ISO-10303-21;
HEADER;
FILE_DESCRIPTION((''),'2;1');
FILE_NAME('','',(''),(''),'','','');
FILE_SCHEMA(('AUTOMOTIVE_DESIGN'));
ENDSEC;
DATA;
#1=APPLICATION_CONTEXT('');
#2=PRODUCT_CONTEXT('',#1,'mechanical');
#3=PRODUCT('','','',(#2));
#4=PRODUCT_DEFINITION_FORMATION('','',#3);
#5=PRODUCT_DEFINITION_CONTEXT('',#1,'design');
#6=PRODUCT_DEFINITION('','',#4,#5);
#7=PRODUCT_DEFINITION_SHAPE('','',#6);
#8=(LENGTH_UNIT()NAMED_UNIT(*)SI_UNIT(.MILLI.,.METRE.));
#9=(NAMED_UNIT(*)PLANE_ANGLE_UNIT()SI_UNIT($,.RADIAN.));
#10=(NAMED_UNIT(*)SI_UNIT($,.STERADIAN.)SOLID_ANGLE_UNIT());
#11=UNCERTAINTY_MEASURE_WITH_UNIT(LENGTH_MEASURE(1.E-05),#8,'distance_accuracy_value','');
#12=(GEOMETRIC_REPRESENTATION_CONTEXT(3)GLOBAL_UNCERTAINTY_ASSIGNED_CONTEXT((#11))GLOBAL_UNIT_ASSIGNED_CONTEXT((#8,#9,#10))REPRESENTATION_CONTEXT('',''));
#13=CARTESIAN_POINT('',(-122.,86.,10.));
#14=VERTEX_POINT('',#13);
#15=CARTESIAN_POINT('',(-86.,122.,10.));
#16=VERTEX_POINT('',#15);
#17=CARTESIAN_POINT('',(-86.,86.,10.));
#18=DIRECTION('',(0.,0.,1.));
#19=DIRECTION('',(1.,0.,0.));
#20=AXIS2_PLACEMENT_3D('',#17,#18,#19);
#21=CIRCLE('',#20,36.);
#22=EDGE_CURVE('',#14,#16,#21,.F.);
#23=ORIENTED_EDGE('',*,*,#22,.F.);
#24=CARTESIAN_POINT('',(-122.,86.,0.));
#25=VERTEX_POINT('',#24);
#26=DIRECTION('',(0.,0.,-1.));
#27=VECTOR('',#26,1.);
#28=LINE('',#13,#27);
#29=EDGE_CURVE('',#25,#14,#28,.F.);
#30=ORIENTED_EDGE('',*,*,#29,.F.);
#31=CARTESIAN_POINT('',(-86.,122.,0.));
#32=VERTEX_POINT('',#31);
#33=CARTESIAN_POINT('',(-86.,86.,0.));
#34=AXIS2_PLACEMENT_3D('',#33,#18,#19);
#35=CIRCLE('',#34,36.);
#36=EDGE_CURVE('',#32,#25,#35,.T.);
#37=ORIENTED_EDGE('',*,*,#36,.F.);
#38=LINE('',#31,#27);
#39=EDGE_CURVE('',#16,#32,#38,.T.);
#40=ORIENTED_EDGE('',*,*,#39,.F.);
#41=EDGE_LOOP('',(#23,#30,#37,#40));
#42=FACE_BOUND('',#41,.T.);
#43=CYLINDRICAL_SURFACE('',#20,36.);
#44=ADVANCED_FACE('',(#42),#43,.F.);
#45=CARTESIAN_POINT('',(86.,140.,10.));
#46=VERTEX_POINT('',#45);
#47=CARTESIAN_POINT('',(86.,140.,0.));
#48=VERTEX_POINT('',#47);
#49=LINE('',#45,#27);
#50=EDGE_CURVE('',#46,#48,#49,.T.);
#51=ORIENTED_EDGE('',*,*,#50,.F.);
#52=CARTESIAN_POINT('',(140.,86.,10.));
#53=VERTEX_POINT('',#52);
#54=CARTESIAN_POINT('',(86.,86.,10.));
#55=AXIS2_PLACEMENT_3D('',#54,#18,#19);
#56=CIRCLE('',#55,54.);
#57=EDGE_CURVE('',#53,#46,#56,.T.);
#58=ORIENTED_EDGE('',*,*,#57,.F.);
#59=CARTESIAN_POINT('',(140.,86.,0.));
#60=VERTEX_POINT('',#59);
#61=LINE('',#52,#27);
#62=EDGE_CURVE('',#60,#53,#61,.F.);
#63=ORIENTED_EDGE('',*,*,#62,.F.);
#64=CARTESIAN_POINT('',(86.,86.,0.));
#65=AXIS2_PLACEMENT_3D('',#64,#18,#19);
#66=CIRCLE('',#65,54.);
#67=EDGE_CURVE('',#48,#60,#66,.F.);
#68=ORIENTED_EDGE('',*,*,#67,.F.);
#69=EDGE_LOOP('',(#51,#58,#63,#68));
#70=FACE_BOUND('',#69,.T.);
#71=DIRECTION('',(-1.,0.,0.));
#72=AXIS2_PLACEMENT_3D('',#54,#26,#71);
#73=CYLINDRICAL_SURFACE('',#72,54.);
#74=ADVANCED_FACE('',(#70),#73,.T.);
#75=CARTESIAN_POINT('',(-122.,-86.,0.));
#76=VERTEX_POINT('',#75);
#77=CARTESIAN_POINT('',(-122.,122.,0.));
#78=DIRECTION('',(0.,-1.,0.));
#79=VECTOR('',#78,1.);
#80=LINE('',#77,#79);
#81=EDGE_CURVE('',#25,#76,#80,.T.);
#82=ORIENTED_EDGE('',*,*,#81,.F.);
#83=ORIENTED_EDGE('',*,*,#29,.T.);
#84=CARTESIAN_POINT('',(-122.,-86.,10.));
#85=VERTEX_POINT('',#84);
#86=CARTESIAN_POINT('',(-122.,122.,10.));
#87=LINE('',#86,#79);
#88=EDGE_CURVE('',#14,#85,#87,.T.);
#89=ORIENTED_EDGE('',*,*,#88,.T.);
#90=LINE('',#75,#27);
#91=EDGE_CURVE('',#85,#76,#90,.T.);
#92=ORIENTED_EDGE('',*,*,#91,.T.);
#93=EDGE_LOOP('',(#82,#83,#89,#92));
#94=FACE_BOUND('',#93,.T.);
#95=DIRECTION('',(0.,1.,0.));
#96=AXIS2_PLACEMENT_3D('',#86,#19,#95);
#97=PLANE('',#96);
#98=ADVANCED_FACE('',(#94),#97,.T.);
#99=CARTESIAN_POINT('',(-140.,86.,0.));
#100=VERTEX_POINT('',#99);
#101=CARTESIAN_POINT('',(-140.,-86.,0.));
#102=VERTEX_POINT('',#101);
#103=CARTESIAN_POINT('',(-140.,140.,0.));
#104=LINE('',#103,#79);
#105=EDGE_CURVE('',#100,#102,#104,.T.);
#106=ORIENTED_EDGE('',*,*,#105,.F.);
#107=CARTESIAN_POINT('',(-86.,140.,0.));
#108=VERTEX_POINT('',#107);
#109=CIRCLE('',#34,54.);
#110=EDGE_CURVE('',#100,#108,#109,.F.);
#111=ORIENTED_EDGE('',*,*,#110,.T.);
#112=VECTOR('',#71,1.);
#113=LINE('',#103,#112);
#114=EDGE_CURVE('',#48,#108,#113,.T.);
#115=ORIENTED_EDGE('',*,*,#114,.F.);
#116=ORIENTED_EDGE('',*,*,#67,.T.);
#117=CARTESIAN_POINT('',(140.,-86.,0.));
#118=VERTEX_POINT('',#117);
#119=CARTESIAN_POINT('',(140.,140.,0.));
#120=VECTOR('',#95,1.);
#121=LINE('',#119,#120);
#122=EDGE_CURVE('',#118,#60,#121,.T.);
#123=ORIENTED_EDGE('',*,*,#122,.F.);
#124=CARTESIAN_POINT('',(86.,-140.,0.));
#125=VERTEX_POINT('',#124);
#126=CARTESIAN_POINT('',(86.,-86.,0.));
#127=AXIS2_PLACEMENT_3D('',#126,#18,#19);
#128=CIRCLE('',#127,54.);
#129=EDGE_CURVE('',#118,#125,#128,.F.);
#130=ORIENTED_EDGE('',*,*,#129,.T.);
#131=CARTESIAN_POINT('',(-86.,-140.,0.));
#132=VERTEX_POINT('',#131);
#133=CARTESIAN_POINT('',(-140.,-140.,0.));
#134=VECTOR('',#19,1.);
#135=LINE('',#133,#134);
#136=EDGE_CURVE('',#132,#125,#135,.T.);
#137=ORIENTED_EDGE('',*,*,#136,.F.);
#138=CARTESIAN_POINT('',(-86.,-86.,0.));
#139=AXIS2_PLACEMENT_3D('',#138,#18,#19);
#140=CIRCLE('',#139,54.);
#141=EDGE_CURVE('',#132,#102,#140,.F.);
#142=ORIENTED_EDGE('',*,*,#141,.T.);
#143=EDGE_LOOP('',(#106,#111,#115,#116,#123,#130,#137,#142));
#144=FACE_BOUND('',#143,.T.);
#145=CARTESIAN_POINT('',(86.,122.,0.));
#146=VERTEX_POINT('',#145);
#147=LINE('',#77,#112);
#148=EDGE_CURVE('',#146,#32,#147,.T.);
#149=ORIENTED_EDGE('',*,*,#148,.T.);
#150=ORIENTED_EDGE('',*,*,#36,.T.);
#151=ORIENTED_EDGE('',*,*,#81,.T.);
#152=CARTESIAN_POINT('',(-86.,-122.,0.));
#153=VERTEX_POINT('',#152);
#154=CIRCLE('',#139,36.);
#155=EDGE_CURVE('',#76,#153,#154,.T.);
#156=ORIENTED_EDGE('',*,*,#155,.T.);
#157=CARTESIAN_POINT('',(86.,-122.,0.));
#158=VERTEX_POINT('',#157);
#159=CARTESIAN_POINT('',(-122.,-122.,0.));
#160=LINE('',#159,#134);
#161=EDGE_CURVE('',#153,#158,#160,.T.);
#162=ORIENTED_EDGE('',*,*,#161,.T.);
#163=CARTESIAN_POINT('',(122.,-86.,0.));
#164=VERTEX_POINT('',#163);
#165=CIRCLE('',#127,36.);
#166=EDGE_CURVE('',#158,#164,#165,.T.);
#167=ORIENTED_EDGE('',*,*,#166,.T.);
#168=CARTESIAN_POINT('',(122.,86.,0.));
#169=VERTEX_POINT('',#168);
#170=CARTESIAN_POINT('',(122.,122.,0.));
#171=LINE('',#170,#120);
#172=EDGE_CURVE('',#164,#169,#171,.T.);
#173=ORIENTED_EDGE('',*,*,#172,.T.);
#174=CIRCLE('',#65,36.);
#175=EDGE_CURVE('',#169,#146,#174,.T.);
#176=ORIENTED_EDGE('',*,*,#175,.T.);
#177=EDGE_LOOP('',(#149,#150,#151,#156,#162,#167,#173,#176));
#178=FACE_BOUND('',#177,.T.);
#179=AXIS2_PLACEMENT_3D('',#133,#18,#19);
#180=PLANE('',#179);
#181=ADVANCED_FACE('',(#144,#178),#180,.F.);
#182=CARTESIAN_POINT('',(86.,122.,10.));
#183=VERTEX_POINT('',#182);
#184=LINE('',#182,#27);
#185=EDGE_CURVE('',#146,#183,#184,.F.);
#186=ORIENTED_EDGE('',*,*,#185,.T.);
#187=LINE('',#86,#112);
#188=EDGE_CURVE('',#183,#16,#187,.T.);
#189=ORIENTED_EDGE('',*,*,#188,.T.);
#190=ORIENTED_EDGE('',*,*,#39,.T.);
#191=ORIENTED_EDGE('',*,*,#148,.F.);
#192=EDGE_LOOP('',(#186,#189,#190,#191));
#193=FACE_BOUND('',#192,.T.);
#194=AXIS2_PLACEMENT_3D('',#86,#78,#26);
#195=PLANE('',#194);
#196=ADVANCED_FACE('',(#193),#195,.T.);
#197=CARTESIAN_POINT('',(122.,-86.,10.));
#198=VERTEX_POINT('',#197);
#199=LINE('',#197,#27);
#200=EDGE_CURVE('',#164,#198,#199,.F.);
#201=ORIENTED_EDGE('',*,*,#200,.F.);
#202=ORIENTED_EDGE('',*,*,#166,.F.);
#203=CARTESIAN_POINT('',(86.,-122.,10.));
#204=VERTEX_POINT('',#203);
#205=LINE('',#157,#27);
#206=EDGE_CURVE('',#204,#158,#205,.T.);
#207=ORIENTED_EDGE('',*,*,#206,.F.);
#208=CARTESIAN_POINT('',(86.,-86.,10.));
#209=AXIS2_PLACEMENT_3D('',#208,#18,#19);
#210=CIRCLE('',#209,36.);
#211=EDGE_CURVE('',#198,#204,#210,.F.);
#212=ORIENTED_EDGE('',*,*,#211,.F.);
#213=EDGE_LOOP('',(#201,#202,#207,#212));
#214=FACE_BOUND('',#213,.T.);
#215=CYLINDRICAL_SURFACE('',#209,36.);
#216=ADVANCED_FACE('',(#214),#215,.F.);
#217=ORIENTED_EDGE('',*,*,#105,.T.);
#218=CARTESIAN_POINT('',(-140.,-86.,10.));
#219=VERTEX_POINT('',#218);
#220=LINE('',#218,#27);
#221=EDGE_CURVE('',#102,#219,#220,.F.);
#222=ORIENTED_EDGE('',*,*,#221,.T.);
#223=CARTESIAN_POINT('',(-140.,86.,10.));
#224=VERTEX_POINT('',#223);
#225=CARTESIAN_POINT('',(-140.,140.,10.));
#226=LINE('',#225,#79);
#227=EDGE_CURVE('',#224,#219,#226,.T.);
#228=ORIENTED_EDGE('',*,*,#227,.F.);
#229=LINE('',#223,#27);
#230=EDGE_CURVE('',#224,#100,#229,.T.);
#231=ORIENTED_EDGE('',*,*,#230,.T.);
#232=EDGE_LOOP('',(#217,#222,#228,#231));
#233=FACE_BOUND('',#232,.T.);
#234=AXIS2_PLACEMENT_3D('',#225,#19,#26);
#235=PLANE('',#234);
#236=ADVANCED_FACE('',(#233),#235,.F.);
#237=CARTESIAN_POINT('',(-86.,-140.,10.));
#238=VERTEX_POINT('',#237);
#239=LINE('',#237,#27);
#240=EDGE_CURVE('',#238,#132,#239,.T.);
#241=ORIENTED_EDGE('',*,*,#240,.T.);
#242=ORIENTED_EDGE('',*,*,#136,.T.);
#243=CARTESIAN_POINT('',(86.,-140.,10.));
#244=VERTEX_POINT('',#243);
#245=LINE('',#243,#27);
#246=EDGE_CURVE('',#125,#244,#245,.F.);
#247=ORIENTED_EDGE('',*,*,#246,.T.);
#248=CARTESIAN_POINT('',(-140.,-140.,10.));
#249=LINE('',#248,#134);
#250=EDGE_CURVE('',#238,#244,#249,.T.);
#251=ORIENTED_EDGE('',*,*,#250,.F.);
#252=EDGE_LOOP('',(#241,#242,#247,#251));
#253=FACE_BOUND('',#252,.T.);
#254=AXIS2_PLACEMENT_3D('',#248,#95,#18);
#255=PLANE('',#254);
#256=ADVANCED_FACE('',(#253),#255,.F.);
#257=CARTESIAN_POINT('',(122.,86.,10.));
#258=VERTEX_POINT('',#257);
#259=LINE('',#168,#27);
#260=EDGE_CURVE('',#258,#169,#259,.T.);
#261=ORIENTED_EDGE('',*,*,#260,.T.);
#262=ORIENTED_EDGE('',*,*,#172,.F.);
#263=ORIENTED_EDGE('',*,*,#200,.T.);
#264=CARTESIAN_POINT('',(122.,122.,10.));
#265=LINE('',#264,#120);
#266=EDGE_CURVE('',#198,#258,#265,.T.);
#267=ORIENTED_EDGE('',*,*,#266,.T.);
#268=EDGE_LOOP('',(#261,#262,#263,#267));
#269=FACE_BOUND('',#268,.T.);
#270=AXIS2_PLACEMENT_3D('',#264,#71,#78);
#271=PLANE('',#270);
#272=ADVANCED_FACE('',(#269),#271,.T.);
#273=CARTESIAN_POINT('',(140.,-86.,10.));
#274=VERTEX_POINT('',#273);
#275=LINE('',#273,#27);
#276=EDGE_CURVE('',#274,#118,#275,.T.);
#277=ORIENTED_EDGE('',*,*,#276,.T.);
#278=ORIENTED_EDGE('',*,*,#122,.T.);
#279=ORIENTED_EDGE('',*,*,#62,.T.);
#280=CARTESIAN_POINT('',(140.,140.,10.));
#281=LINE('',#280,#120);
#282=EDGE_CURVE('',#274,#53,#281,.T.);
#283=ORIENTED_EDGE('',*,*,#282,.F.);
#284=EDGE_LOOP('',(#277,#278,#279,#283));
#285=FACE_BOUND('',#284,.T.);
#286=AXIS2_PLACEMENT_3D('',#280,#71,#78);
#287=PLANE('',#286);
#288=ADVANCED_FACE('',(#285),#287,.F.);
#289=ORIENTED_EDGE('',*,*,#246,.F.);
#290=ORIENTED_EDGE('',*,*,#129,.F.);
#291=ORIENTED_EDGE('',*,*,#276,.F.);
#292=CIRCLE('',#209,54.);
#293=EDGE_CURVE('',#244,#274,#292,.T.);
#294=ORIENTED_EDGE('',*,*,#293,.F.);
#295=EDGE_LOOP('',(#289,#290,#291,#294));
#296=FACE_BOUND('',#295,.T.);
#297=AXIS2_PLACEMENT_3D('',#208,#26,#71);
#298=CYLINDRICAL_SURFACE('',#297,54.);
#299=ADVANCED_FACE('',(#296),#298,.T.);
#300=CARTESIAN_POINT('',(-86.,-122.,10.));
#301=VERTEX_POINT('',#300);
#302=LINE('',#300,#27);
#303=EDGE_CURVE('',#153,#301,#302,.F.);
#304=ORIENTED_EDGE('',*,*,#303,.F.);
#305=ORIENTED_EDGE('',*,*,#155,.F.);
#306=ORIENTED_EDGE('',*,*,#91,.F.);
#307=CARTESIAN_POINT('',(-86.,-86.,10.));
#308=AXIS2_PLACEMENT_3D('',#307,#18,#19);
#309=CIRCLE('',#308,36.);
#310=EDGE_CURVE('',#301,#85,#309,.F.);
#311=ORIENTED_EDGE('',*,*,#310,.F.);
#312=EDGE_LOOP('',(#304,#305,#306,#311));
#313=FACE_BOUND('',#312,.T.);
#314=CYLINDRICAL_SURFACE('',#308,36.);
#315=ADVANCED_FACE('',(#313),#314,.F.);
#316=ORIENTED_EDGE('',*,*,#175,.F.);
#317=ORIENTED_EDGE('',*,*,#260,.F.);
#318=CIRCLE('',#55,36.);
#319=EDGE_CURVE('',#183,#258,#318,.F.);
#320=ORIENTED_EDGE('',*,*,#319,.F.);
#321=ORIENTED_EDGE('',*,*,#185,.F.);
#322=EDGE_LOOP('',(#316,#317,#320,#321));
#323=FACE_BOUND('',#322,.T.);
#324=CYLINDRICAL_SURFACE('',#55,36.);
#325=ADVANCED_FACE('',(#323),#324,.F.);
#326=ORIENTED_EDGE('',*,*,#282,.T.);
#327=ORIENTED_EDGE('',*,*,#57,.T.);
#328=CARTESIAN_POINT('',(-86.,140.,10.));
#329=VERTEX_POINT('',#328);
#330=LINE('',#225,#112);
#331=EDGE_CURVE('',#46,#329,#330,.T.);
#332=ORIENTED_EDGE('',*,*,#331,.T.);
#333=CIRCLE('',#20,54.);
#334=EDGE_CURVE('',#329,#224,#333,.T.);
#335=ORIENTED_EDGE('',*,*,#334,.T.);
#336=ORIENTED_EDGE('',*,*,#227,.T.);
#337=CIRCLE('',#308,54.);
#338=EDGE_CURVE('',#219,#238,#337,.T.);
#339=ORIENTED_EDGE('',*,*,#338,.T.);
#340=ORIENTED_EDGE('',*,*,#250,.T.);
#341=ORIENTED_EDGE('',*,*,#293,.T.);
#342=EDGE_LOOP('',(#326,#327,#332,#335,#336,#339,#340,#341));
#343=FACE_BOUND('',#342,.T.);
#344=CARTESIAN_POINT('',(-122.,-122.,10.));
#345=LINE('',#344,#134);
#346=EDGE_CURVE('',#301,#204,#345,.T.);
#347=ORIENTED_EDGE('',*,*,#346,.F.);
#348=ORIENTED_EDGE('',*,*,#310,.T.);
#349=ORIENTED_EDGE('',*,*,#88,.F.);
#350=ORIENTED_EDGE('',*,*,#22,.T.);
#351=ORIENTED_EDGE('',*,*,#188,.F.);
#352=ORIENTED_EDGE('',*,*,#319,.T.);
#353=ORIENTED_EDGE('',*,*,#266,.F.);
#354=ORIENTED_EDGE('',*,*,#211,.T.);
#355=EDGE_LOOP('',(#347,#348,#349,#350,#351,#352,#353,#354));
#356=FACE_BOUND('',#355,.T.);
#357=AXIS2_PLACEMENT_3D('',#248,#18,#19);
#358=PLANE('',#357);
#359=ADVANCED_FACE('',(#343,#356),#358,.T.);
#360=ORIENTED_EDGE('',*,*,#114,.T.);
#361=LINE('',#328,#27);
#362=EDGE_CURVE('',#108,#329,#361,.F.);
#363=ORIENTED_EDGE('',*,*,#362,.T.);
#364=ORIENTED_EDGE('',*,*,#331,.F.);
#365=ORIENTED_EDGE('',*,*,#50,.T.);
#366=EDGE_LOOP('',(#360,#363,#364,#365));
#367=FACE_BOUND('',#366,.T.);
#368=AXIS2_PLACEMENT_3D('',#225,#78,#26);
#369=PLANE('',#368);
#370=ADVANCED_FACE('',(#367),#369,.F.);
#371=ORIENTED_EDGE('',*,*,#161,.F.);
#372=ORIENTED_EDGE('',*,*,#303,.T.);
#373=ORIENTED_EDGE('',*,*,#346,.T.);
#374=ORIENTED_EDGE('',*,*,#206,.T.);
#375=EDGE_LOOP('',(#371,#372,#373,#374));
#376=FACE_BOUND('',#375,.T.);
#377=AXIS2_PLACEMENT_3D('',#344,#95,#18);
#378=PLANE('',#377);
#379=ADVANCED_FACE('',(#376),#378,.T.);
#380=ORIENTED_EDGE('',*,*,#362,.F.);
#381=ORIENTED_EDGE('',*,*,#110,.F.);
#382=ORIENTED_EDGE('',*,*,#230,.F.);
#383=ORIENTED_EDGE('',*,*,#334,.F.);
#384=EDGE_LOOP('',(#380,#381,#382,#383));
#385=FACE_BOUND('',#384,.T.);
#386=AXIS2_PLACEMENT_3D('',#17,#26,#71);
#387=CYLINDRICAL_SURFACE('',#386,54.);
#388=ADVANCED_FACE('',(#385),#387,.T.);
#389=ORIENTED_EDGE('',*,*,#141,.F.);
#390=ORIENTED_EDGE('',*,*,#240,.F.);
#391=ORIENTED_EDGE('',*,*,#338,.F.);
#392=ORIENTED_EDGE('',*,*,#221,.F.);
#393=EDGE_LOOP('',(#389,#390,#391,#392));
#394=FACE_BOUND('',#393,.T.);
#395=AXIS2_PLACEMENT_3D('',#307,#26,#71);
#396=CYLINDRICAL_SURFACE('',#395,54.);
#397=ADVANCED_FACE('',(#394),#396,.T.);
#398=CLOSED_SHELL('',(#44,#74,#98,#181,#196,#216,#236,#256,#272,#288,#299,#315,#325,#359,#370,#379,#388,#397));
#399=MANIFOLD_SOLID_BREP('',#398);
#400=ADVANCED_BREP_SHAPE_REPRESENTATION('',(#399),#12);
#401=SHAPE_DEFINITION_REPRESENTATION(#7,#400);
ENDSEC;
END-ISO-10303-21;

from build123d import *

# Parameters (mm, degrees)
SKETCH_1_W      = 280
SKETCH_1_H      = 280
SKETCH_1_W_2    = 244
SKETCH_1_H_2    = 244
EXTRUDE_1_DEPTH = 10
FILLET_1_R      = 36
FILLET_2_R      = 54


with BuildPart() as part:
    # 草图1 → 凸台-拉伸1 (new body)
    with BuildSketch(Plane.XY):
        Rectangle(SKETCH_1_W, SKETCH_1_H)
        Rectangle(SKETCH_1_W_2, SKETCH_1_H_2, mode=Mode.SUBTRACT)
    extrude(amount=EXTRUDE_1_DEPTH)

    # 圆角1
    fillet_1_edges = [part.edges().sort_by_distance(p)[0] for p in [
        (-122, 122, 5),
        (-122, -122, 5),
        (122, -122, 5),
        (122, 122, 5),
    ]]
    fillet(fillet_1_edges, radius=FILLET_1_R)

    # 圆角2
    fillet_2_edges = [part.edges().sort_by_distance(p)[0] for p in [
        (-140, 140, 5),
        (140, 140, 5),
        (140, -140, 5),
        (-140, -140, 5),
    ]]
    fillet(fillet_2_edges, radius=FILLET_2_R)


solid = part.part
